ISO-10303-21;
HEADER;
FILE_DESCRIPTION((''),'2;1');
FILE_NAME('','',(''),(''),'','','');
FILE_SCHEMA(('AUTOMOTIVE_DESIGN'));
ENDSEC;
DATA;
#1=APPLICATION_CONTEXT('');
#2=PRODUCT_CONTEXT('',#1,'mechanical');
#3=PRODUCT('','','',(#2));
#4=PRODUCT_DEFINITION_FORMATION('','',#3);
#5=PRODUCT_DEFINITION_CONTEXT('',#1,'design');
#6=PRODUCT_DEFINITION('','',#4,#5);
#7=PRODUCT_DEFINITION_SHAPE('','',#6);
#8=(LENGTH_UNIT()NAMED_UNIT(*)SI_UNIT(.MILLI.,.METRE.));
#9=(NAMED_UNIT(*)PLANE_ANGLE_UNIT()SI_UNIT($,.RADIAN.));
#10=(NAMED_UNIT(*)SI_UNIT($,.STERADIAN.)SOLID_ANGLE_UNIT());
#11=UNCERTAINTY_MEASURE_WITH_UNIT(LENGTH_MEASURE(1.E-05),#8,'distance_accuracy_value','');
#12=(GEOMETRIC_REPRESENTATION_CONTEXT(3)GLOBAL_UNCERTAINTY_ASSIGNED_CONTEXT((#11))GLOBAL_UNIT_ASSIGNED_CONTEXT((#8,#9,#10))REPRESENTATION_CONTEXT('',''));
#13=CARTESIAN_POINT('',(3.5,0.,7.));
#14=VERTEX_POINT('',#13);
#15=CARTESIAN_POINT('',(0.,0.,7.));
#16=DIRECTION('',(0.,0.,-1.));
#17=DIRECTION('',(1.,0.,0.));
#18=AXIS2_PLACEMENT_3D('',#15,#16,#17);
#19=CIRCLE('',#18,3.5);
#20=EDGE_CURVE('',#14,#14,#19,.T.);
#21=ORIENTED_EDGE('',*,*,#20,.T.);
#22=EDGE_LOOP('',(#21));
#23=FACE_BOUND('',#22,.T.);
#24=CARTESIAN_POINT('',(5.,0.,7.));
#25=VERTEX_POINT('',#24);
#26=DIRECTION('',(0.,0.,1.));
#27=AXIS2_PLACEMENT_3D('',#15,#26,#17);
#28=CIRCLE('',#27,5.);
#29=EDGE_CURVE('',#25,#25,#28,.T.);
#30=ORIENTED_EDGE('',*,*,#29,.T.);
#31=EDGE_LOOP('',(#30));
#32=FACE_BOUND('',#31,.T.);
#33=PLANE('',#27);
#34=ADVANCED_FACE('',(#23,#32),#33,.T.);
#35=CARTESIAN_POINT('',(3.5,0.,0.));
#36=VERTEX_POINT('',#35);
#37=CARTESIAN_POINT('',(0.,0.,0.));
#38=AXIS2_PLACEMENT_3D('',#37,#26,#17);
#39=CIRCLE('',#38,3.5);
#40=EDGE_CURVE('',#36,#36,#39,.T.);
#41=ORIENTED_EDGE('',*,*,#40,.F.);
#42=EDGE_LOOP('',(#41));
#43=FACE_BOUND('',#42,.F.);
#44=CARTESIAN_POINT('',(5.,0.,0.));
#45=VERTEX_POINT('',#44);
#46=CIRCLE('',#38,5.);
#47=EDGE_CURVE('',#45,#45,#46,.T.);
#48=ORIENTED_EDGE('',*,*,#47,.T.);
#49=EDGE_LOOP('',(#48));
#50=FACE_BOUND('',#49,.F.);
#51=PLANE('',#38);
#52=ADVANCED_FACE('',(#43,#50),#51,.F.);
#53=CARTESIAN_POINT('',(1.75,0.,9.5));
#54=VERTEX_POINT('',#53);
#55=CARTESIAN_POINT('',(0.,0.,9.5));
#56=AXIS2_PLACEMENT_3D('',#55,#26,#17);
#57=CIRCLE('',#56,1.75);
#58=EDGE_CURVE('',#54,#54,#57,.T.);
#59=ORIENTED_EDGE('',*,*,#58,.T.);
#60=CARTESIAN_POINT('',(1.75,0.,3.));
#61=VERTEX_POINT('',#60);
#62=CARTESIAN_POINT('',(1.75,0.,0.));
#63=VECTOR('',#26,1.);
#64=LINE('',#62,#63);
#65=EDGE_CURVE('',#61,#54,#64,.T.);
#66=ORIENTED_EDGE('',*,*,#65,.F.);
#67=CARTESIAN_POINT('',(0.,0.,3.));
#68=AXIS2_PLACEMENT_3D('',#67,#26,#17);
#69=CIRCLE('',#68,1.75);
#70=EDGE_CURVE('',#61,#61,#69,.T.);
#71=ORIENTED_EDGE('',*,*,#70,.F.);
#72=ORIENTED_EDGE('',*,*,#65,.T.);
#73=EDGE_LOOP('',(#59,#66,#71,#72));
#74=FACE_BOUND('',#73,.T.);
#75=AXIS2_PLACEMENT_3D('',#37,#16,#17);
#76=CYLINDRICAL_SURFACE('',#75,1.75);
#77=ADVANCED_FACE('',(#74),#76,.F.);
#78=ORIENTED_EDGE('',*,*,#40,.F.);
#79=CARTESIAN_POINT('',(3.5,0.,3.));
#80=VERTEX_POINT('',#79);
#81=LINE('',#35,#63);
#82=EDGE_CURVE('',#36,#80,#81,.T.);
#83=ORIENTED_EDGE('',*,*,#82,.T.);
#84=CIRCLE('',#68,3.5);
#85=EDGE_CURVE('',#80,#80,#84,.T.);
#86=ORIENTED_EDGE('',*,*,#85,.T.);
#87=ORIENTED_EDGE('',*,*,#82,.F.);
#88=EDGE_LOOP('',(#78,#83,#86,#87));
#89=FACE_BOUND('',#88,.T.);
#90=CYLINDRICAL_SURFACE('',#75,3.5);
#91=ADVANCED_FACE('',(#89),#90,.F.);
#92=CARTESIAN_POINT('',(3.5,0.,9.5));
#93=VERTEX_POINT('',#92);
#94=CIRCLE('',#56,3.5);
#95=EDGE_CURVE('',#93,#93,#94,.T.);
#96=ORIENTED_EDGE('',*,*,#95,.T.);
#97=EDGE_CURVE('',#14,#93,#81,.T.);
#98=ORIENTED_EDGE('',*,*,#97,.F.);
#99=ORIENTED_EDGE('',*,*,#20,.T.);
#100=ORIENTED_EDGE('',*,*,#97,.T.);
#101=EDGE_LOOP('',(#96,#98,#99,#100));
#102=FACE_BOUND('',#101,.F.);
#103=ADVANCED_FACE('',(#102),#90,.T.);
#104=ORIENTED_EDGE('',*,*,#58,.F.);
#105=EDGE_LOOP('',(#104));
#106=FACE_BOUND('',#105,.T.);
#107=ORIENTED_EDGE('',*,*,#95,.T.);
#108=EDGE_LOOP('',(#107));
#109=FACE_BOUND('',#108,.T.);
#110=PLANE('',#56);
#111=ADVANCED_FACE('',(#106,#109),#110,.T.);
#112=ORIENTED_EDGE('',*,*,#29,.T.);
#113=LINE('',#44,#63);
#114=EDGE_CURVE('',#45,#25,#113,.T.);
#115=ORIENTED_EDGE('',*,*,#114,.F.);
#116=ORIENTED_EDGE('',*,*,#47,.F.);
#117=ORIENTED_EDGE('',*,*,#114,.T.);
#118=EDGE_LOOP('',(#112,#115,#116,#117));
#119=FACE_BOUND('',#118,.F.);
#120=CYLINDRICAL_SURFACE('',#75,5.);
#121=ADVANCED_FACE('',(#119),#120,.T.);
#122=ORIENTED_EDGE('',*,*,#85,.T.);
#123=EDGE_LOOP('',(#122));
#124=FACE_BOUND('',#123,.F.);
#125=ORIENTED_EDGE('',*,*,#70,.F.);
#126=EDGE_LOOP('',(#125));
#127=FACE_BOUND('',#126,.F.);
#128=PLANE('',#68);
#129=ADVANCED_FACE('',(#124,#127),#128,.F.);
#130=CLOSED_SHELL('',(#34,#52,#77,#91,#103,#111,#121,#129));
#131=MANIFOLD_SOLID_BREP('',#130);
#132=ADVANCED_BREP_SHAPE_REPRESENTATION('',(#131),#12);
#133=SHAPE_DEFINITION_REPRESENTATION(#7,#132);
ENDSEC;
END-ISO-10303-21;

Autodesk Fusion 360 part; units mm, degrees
sketch "Skizze1" plane through (0, 0, 0) normal (0, 0, 1) x (1, 0, 0)
  line L0 (-31.5508, 0) -> (33.8224, 0) construction
  line L1 (0, 25.6192) -> (0, -38.4919) construction
  circle A0 centre (0, 0) radius 1.75
  circle A1 centre (0, 0) radius 3.5
  circle A2 centre (0, 0) radius 5
  dimension "d1" = 3.5
  dimension "d2" = 7
  dimension "d3" = 10
extrude "Extrusion1" add sketch "Skizze1" along normal blind 7 contours A1 | A2
extrude "Extrusion2" add sketch "Skizze1" along normal blind 9.5 contours A1
extrude "Extrusion3" cut sketch "Skizze1" along normal blind 3 contours A1
